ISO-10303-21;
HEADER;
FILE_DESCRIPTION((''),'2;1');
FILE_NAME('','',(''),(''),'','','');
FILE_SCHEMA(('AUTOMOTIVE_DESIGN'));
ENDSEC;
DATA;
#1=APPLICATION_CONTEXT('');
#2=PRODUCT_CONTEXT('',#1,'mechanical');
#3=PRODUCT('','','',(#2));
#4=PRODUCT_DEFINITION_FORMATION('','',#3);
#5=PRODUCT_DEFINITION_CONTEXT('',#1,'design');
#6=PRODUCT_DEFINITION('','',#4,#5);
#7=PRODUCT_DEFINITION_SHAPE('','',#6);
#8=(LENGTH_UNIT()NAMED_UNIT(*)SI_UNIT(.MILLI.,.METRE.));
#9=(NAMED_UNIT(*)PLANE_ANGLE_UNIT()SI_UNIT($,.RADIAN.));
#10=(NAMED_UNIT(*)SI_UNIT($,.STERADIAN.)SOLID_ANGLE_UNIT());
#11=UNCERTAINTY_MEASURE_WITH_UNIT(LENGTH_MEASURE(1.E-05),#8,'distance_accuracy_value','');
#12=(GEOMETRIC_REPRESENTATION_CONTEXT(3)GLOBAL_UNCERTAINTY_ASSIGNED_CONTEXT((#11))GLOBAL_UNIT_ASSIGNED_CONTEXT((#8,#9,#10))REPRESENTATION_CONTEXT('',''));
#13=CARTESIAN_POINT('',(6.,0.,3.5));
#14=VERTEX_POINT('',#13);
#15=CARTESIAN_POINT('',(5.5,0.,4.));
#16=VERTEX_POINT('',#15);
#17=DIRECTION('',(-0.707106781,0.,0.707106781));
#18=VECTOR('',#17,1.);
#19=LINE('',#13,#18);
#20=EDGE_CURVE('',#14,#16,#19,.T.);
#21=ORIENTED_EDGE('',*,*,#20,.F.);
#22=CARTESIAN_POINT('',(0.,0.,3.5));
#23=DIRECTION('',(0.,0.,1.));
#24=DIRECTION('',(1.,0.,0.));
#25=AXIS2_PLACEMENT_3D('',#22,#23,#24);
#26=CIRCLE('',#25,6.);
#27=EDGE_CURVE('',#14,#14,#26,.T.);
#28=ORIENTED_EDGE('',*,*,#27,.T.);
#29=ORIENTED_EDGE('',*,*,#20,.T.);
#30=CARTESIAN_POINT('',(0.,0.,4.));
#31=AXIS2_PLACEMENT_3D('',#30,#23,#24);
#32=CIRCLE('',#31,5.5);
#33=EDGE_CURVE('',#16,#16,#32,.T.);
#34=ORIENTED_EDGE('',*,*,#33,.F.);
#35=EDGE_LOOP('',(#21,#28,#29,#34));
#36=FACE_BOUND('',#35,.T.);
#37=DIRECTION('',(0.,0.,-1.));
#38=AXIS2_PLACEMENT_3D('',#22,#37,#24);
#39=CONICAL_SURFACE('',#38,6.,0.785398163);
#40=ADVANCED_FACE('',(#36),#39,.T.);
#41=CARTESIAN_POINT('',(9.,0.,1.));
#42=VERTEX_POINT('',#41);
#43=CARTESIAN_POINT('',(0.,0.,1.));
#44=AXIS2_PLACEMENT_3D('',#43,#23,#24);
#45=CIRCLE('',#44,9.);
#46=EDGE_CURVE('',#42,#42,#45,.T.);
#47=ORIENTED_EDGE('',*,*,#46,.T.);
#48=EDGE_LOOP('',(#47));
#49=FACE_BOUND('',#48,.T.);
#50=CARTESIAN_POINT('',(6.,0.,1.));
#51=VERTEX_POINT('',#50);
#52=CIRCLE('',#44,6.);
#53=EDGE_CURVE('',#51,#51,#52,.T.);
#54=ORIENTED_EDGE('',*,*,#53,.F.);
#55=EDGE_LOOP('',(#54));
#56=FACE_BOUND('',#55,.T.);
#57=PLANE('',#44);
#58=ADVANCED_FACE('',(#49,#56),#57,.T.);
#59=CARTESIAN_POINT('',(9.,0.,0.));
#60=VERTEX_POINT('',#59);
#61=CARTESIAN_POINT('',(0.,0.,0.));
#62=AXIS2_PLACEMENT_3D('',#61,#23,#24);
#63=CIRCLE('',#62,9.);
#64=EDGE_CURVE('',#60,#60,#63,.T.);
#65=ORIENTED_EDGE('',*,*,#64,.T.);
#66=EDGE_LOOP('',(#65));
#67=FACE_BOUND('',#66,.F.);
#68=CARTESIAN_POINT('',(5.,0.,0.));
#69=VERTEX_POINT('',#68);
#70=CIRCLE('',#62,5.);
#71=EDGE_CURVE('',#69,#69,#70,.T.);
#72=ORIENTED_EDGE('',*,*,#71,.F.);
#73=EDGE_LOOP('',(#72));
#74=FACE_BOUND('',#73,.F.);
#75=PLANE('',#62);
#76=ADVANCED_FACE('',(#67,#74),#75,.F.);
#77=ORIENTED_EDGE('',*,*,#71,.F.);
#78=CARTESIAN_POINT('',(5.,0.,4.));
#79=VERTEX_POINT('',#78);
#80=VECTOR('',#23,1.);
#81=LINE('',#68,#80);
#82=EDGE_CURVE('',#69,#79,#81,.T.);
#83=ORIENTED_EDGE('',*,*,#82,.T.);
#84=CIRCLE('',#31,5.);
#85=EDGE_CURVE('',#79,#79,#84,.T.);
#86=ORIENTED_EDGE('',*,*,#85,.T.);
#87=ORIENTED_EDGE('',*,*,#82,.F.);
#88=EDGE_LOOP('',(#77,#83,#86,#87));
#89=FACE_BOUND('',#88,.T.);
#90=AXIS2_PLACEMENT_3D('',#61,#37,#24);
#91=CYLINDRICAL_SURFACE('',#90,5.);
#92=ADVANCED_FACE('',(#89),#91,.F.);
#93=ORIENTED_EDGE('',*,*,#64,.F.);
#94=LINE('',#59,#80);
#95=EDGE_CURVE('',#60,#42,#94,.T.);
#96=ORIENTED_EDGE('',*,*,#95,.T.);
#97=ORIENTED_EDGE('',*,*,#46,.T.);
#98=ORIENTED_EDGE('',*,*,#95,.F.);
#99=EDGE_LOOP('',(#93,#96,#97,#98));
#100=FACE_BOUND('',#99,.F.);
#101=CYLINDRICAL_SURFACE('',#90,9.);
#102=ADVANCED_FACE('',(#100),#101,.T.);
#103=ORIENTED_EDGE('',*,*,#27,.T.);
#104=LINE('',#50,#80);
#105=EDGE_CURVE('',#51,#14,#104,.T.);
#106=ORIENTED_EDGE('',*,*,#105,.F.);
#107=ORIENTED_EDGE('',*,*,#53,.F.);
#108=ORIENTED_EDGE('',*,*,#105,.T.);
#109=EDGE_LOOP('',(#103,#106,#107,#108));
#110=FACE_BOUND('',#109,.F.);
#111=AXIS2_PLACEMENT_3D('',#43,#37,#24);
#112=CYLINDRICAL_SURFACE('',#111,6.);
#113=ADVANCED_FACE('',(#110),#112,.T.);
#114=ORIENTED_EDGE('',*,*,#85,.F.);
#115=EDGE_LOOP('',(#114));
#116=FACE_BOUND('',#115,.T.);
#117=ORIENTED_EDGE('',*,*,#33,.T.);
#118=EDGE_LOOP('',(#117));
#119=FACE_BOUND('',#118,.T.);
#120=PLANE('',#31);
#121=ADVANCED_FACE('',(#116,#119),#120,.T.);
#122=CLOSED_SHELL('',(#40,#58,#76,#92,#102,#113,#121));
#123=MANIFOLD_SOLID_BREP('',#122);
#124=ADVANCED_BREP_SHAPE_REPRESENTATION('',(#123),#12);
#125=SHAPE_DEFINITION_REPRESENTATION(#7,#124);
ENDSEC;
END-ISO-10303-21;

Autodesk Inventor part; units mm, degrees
ref_plane "YZ Plane" through (0, 0, 0) normal (1, 0, 0) x (0, 1, 0)
ref_plane "XZ Plane" through (0, 0, 0) normal (0, 1, 0) x (-1, 0, 0)
ref_plane "XY Plane" through (0, 0, 0) normal (0, 0, 1) x (1, 0, 0)
sketch "スケッチ1" plane through (0, 0, 0) normal (0, 0, 1) x (1, 0, 0)
  circle A0 centre (0, 0) radius 5
  circle A1 centre (0, 0) radius 9
  dimension "d0" = 10
  dimension "d1" = 18
extrude "押し出し1" add sketch "スケッチ1" along normal blind 1
sketch "スケッチ2" plane through (0, 0, 1) normal (0, 0, 1) x (1, 0, 0)
  circle A0 centre (0, 0) radius 6
  circle A1 centre (0, 0) radius 9 projected
  circle A2 centre (0, 0) radius 5 projected
  dimension "d4" = 12
extrude "押し出し2" add sketch "スケッチ2" along normal blind 3 contours A0
chamfer "面取り1" distance 0.5 angle 45 1 edges at (-6, 0, 4)
properties part number "オイレスw5f10-12a" material "アセタール樹脂、黒"
